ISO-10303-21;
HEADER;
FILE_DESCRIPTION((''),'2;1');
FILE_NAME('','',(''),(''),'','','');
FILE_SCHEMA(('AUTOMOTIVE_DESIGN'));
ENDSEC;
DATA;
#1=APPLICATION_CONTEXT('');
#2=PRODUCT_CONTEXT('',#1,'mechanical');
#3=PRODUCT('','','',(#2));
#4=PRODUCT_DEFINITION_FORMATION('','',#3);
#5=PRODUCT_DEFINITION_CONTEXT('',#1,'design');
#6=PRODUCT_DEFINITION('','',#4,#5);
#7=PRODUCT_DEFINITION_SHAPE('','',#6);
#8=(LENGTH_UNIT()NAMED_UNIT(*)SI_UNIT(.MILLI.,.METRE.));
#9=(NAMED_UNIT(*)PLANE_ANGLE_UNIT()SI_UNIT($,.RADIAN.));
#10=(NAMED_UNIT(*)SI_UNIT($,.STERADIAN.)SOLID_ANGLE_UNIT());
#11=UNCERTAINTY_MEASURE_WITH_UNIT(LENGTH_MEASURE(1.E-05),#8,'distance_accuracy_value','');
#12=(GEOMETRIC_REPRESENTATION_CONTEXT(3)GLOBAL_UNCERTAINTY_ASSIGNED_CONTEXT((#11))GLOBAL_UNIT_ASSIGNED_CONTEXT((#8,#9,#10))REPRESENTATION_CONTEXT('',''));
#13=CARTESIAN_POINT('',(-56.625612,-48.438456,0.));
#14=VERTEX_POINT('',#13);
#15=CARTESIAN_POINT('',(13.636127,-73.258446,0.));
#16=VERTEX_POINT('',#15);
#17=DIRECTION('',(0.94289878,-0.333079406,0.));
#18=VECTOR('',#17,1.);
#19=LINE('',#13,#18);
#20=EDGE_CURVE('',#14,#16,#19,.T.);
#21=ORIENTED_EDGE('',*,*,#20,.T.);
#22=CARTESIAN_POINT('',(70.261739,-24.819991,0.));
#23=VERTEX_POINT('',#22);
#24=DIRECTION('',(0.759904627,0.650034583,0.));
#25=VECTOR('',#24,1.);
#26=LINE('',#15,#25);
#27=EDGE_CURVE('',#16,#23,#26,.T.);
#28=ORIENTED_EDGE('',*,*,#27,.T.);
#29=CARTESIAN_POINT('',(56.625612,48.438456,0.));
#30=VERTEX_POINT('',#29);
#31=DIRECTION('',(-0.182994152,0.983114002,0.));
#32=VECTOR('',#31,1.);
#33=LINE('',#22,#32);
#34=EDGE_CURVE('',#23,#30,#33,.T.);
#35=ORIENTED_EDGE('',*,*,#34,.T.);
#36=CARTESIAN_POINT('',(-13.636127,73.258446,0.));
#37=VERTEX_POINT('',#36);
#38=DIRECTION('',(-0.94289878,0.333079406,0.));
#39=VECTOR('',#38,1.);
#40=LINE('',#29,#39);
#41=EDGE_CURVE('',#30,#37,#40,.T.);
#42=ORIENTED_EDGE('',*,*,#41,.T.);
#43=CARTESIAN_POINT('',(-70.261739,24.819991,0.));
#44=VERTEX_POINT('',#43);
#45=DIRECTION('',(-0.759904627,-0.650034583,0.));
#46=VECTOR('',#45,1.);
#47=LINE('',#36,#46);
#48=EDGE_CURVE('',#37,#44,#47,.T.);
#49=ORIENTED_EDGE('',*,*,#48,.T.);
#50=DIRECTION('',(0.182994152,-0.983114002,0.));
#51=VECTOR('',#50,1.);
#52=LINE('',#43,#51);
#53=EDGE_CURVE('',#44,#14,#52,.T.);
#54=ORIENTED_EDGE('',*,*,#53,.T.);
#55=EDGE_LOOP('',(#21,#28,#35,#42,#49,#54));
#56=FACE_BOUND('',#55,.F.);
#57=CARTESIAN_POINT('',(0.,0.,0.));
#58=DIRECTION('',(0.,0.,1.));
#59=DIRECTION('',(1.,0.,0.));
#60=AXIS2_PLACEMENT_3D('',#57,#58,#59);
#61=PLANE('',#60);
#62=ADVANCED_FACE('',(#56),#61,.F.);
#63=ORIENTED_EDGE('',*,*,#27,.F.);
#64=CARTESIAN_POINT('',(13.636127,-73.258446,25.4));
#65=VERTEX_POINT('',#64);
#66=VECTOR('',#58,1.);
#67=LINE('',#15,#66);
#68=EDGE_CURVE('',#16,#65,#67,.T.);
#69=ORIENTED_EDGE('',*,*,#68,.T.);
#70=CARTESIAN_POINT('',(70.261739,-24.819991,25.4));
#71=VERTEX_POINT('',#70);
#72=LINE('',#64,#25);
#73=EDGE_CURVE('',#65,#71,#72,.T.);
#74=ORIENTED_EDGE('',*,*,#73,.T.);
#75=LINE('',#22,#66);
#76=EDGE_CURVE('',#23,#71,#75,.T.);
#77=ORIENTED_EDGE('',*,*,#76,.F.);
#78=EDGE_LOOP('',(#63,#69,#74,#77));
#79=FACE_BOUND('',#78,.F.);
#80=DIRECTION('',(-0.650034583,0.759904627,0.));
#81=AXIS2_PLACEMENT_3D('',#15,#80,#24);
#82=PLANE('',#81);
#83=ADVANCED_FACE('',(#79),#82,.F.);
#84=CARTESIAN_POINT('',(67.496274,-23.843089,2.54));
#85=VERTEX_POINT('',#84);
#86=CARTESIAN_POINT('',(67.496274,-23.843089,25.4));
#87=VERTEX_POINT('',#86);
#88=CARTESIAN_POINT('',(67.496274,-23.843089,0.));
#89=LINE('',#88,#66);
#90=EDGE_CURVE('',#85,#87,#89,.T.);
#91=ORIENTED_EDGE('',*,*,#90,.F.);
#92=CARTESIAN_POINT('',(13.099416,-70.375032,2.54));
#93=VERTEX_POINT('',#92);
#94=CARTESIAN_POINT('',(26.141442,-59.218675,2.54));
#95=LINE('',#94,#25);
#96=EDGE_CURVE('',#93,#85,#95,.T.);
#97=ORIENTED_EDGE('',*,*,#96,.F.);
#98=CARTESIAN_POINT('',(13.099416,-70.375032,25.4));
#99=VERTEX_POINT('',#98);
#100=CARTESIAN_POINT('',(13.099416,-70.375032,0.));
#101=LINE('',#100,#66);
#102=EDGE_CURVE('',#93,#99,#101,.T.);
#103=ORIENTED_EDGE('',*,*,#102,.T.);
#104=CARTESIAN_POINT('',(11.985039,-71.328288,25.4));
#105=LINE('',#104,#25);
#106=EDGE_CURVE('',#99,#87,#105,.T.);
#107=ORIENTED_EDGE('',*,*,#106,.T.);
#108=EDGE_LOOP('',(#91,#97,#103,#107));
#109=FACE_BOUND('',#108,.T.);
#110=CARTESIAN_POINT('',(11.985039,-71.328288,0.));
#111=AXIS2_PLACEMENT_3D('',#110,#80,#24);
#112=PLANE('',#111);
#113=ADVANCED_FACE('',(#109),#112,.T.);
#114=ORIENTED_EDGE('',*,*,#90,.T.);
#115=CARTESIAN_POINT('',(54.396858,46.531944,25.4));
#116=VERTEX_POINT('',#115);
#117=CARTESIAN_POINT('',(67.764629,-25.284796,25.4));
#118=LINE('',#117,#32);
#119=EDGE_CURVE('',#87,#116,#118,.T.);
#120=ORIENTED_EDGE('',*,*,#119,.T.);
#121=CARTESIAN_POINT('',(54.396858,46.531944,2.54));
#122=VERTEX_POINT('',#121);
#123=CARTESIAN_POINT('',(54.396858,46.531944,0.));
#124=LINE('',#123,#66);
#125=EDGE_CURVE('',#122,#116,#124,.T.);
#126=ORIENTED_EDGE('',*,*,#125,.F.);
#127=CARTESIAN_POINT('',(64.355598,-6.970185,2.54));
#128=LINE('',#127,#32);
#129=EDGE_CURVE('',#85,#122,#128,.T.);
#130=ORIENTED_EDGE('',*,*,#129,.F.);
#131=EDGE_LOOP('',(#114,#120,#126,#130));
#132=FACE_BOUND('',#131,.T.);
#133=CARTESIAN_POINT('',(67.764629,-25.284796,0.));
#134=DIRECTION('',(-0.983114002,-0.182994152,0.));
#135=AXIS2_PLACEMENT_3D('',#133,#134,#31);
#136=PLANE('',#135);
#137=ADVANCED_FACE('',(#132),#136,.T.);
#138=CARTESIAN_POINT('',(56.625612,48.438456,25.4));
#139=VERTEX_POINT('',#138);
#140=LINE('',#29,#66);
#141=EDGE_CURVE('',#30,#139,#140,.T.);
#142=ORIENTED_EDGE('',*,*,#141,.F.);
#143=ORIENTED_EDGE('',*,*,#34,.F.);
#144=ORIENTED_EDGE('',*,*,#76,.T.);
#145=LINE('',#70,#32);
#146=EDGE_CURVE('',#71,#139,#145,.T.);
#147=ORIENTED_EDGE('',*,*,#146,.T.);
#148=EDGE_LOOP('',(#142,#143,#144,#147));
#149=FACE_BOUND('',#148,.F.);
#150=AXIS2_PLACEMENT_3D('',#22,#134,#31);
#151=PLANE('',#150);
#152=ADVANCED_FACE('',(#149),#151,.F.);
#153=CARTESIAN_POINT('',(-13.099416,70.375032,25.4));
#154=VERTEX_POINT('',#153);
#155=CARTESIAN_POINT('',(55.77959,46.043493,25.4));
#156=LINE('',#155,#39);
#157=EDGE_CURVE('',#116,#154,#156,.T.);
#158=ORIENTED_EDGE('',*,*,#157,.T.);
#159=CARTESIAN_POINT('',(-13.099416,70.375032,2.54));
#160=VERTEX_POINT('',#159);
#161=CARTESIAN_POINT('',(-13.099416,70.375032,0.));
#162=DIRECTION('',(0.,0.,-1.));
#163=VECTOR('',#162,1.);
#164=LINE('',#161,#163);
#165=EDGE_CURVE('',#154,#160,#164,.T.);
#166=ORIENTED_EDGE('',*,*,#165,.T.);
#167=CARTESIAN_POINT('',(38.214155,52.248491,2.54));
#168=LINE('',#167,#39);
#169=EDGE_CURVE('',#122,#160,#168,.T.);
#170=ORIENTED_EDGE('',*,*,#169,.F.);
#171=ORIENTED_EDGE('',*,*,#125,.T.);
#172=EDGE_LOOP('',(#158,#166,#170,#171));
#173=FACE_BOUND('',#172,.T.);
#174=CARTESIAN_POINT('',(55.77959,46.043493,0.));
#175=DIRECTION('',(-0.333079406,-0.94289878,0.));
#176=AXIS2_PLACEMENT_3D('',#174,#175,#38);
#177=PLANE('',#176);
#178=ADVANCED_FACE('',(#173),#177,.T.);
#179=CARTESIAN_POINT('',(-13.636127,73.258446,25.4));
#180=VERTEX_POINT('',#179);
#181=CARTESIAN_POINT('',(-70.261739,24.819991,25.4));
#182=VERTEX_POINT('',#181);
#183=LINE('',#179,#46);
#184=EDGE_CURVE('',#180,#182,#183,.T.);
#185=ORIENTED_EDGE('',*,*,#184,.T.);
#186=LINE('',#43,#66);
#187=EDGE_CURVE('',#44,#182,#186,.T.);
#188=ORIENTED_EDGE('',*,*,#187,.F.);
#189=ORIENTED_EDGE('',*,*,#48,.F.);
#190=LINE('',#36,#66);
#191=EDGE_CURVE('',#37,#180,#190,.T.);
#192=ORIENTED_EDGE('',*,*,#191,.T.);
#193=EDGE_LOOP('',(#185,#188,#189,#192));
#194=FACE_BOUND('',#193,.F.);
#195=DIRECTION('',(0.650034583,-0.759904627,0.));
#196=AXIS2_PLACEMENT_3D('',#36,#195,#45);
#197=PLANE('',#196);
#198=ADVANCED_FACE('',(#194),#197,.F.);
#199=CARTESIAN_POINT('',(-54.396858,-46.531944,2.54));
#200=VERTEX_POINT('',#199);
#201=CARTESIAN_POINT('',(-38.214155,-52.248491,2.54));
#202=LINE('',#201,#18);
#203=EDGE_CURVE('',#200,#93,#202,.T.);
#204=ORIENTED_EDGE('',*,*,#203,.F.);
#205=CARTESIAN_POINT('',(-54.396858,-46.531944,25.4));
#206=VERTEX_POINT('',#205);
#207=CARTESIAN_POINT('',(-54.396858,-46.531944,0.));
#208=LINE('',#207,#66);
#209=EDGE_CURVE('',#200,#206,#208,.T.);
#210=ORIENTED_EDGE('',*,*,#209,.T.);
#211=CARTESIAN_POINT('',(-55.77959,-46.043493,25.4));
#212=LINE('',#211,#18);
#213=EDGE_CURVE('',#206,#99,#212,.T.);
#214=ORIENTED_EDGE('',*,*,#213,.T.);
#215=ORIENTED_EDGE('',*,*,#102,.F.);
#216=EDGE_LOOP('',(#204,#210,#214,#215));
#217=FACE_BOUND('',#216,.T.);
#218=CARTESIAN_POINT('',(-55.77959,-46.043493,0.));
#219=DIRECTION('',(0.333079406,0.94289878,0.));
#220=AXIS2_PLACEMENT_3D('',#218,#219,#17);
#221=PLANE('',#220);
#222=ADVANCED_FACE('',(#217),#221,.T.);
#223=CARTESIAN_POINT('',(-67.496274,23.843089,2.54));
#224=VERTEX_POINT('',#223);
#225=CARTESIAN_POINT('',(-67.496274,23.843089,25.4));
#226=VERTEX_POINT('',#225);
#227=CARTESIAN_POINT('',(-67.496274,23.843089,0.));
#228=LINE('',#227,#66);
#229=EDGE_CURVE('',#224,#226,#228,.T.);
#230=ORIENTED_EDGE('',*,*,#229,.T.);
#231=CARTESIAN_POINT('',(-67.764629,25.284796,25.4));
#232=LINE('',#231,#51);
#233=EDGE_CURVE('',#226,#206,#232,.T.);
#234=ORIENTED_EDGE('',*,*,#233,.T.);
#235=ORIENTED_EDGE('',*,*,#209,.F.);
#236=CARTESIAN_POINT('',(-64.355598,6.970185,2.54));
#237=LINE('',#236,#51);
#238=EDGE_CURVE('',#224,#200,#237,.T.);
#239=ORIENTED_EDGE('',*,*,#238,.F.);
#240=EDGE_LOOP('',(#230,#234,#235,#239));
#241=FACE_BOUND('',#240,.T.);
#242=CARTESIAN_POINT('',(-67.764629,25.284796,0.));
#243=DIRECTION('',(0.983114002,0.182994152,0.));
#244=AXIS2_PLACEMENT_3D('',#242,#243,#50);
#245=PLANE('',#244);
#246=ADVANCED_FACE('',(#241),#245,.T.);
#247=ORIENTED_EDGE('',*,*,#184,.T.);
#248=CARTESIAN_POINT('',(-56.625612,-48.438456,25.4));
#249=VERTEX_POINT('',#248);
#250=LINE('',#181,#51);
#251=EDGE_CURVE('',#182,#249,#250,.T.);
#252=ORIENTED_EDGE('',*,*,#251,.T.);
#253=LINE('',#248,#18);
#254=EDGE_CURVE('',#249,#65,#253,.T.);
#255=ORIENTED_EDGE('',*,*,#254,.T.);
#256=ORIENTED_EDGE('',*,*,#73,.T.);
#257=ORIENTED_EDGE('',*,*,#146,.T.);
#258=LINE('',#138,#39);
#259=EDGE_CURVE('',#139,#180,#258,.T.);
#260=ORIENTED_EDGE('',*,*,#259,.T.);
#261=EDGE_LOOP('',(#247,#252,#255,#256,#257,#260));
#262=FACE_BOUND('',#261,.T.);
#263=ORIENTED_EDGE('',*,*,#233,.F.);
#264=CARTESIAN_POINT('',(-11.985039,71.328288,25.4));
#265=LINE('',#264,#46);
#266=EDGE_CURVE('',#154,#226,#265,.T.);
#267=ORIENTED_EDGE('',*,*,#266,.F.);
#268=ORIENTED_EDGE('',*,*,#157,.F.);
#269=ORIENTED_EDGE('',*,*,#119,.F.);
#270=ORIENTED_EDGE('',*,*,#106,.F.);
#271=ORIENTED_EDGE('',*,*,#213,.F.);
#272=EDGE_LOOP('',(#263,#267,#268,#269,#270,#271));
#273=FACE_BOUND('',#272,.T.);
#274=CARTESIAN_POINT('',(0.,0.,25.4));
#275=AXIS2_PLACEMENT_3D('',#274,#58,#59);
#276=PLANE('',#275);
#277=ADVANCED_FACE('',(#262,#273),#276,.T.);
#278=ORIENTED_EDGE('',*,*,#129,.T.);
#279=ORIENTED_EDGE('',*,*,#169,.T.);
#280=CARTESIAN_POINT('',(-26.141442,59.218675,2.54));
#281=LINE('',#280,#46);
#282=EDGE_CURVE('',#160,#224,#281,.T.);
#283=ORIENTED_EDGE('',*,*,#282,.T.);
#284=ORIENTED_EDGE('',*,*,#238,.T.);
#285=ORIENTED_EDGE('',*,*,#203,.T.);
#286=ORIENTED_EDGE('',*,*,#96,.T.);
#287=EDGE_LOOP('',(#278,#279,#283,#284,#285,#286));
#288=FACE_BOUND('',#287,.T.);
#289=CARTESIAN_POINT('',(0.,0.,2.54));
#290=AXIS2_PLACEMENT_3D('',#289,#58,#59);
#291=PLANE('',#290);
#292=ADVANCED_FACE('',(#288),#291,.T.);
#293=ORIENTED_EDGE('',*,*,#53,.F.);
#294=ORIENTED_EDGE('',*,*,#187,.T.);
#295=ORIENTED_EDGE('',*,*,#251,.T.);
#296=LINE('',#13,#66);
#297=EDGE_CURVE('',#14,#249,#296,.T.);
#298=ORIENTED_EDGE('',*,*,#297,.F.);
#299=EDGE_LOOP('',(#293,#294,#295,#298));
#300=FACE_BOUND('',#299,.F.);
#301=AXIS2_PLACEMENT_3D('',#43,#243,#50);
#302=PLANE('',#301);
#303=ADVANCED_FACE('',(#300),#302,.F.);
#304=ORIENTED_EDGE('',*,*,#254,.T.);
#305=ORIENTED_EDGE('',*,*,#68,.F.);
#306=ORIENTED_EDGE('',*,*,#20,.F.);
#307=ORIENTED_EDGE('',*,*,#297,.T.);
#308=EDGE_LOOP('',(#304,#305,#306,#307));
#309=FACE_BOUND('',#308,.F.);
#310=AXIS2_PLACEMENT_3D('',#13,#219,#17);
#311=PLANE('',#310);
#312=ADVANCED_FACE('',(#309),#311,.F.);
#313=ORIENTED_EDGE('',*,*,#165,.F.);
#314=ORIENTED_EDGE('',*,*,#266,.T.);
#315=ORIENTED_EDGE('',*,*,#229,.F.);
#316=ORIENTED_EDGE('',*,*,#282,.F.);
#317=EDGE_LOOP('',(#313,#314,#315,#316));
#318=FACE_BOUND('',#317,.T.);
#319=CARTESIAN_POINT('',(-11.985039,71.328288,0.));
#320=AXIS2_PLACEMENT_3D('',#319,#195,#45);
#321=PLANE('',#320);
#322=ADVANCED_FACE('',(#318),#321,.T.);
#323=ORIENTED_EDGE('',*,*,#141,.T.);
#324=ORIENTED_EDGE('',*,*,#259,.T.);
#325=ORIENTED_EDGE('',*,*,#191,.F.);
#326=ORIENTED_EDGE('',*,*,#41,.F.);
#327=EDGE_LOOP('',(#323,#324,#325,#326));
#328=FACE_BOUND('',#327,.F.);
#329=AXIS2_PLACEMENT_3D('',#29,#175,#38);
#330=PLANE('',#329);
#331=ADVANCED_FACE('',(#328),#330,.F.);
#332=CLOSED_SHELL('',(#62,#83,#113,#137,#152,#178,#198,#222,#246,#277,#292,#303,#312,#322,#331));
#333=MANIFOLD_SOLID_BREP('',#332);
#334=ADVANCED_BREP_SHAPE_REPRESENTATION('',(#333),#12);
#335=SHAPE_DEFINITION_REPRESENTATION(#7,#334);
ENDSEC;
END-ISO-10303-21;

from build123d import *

# Parameters (mm, degrees)
F2_DEPTH = 25.4
F3_T     = -2.54


with BuildPart() as f2:
    # F1 (on face) → F2 (new body)
    with BuildSketch(Plane.XY):
        Polygon((-13.636127, 73.258446), (-70.261739, 24.819991), (-56.625612, -48.438456), (13.636127, -73.258446), (70.261739, -24.819991), (56.625612, 48.438456), align=None)
    extrude(amount=F2_DEPTH)

    # F3
    f3_openings = [f2.faces().sort_by_distance(p)[0] for p in [
        (0, 0, 25.4),
    ]]
    offset(amount=F3_T, openings=f3_openings)


solid = f2.part
